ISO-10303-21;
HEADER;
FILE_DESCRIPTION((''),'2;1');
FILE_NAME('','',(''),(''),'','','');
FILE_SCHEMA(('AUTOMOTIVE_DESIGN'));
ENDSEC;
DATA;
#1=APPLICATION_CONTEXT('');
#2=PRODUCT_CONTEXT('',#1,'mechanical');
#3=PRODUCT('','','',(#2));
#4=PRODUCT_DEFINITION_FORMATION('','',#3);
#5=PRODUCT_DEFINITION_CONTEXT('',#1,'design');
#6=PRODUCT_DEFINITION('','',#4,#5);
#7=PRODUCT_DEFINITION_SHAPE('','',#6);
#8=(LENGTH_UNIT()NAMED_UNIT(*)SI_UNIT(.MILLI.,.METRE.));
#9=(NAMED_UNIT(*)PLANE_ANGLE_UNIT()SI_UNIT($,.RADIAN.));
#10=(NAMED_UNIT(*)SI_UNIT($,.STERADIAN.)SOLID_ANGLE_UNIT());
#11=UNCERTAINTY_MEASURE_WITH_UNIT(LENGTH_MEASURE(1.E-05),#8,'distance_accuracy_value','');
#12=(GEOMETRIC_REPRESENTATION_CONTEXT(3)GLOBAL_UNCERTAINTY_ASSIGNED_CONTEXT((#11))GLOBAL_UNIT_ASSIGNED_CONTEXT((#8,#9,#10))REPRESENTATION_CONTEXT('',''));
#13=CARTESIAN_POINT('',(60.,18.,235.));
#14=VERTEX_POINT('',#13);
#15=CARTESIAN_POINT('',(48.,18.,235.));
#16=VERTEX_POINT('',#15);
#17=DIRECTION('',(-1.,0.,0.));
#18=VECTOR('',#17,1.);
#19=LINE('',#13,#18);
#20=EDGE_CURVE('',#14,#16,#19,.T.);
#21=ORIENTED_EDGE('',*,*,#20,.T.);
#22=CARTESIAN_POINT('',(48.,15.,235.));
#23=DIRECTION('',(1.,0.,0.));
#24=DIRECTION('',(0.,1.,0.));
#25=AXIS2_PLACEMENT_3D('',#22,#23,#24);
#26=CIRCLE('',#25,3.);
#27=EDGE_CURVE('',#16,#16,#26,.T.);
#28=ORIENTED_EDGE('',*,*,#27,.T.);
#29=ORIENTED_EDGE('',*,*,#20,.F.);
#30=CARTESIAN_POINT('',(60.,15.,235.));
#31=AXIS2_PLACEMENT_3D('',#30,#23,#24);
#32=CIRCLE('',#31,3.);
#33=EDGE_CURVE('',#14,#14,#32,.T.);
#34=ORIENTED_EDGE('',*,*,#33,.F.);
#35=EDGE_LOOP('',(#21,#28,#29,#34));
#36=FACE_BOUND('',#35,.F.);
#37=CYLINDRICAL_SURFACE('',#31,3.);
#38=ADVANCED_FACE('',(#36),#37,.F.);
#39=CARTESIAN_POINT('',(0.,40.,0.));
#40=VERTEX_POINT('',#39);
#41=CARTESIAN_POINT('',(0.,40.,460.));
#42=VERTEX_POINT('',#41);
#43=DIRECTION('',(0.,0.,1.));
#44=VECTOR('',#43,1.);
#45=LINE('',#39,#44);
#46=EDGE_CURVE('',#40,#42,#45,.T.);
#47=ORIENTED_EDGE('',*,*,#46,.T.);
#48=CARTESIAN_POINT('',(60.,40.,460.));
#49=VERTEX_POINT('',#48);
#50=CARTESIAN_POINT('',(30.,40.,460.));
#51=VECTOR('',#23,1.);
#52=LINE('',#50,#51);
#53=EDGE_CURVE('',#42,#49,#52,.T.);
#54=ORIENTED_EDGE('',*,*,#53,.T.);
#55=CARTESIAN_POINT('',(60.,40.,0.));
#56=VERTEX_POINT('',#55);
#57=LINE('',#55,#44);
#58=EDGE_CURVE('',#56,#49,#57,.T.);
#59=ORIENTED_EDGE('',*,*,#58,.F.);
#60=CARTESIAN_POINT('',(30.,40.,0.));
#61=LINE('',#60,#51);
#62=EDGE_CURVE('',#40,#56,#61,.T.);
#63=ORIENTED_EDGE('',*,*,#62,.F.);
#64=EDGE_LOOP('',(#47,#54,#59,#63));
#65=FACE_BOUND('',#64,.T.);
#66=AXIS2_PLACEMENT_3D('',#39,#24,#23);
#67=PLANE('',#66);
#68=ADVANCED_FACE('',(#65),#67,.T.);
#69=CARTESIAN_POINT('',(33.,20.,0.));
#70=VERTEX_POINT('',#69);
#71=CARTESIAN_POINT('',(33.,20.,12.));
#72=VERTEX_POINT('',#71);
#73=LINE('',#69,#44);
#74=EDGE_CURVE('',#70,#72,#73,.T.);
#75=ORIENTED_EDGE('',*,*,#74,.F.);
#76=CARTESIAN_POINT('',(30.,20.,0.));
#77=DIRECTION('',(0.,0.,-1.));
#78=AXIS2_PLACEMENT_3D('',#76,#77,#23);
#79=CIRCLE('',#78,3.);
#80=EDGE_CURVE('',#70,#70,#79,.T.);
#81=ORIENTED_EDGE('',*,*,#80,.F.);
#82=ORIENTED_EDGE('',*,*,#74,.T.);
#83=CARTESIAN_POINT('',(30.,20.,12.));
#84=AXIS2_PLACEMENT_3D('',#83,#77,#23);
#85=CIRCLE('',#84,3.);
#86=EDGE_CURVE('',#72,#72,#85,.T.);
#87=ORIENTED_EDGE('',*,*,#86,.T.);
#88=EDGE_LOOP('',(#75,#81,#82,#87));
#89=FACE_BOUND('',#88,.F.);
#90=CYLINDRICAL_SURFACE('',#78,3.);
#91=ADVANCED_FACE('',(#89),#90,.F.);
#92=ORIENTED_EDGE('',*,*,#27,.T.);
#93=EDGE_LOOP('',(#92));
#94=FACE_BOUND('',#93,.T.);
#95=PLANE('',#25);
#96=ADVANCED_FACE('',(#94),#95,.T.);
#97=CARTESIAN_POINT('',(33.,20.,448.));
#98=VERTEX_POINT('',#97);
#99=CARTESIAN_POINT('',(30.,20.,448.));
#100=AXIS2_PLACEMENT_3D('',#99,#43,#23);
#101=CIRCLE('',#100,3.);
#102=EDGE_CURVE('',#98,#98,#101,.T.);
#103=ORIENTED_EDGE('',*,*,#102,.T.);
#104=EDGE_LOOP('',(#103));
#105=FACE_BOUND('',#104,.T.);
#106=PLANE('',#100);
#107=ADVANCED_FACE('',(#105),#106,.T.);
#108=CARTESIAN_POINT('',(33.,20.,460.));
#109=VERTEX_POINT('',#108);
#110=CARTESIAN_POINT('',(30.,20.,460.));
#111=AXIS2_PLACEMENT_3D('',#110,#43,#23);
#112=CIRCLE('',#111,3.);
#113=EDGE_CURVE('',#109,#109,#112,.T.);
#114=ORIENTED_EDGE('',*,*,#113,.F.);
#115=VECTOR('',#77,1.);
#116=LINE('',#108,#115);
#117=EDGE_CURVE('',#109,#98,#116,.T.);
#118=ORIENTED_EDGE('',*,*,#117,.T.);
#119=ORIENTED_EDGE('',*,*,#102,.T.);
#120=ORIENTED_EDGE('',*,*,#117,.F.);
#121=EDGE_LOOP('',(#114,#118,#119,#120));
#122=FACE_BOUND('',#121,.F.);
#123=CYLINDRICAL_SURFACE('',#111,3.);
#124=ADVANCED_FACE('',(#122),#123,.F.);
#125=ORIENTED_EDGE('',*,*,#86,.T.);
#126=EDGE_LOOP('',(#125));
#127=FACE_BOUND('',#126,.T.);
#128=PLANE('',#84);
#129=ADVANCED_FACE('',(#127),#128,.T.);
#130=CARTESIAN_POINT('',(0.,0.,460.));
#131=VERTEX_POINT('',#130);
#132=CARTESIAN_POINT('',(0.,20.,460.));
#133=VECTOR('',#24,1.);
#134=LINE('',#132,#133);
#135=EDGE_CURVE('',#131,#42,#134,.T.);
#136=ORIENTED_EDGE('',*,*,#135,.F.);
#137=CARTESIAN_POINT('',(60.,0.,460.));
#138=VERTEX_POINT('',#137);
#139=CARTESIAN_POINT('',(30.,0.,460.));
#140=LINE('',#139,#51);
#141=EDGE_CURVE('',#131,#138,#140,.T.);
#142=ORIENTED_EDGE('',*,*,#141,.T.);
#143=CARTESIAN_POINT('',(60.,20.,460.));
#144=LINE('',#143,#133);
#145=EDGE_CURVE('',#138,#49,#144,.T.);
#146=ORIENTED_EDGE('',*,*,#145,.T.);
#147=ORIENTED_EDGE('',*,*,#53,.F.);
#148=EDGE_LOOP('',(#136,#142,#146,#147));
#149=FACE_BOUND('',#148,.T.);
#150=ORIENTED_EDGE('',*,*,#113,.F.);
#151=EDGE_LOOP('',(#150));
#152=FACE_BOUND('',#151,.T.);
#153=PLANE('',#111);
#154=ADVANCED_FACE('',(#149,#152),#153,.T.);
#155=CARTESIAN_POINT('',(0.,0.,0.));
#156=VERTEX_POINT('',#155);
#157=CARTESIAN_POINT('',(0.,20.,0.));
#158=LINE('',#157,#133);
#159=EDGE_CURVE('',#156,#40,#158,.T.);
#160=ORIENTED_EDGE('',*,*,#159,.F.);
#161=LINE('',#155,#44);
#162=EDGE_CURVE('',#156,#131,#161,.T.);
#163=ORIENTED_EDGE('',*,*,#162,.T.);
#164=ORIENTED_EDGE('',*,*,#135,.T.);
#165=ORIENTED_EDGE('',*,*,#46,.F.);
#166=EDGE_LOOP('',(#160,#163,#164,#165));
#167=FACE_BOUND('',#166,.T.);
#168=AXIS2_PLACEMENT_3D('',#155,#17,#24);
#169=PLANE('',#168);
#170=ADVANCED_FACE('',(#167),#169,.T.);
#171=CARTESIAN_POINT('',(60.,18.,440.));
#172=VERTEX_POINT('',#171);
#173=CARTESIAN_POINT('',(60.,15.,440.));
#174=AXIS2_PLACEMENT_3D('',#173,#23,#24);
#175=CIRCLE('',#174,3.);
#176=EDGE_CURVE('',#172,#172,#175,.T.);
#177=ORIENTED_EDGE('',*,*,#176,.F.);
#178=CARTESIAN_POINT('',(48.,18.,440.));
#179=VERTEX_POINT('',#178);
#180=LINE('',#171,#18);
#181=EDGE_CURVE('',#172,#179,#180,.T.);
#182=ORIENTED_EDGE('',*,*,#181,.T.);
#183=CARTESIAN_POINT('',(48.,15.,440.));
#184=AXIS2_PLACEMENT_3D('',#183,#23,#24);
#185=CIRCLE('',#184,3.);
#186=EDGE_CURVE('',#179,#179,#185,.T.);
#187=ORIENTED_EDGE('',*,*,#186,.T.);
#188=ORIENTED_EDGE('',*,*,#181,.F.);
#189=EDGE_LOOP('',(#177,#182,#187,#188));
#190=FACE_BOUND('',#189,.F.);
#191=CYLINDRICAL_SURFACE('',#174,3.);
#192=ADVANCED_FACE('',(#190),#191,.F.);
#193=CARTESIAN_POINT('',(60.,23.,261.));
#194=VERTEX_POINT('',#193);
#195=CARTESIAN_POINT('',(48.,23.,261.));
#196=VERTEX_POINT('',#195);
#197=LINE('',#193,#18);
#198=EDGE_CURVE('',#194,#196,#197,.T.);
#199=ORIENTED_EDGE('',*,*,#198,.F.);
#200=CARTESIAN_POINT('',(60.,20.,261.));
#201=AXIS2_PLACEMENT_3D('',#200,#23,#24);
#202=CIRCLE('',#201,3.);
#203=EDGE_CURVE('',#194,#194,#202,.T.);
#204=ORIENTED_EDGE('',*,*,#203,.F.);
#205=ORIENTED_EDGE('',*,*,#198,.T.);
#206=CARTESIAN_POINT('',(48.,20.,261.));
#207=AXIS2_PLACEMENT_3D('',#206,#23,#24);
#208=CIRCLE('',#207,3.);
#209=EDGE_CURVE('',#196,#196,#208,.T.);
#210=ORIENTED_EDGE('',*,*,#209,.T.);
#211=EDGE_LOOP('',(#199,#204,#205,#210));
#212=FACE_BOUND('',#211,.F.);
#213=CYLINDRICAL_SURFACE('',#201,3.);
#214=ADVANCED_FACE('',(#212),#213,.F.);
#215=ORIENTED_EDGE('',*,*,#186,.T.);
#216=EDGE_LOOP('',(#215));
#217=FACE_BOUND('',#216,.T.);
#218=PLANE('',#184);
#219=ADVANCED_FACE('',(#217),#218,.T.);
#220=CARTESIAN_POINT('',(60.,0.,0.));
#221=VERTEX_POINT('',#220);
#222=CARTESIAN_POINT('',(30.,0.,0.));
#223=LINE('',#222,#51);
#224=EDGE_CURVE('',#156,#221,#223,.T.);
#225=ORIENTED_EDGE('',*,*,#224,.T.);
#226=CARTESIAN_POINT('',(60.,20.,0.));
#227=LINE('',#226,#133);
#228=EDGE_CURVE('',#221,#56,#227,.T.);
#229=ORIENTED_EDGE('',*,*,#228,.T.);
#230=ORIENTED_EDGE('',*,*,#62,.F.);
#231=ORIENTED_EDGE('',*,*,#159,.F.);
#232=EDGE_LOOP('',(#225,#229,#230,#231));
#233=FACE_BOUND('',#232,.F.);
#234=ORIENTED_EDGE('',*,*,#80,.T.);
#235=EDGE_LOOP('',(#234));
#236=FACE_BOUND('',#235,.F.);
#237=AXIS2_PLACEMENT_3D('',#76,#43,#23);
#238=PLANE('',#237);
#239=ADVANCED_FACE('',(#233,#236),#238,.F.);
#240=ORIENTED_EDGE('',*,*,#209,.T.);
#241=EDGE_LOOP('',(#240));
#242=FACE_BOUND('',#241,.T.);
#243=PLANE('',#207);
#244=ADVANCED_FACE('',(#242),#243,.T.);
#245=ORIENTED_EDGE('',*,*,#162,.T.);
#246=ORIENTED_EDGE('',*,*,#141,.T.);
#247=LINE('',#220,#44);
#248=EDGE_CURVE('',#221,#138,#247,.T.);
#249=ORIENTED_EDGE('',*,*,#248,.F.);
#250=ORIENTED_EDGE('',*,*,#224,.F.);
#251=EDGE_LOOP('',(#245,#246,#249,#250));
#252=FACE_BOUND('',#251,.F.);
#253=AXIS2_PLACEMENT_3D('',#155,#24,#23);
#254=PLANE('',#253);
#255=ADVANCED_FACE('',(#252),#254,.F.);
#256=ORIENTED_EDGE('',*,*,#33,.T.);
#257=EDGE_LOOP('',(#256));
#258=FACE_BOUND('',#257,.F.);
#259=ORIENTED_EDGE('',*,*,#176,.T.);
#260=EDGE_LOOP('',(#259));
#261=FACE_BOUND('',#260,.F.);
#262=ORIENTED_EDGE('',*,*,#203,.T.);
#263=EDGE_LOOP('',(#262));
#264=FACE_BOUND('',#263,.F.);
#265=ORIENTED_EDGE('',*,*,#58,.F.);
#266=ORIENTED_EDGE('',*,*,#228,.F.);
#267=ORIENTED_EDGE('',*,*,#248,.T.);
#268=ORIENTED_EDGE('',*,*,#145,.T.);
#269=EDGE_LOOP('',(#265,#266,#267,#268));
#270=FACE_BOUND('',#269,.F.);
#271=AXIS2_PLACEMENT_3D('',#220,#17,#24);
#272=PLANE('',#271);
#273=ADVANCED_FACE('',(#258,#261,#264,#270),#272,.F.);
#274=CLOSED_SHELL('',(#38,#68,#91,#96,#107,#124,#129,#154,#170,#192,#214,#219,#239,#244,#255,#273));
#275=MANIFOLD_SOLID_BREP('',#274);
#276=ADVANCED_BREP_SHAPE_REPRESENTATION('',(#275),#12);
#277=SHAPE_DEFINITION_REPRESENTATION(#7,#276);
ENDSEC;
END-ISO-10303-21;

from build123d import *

# Parameters (mm, degrees)
F0_W      = 60
F0_H      = 40
F1_DEPTH  = 460
F2_R      = 3
F3_DEPTH  = 12
F4_R      = 3
F5_DEPTH  = 12
F6_R      = 3
F7_DEPTH  = 12
F8_R      = 3
F9_DEPTH  = 12
F10_R     = 3
F11_DEPTH = 12


with BuildPart() as f1:
    # F0 (on Top) → F1 (new body)
    with BuildSketch(Plane.XY):
        with Locations((30, 20)):
            Rectangle(F0_W, F0_H)
    extrude(amount=F1_DEPTH)

    # F2 (on face) → F3 (cut)
    with BuildSketch(Plane.XY.offset(460)):
        with Locations((30, 20)):
            Circle(F2_R)
    extrude(amount=-F3_DEPTH, mode=Mode.SUBTRACT)

    # F4 (on face) → F5 (cut)
    with BuildSketch(Plane(origin=(0, 0, 0), x_dir=(1, 0, 0), z_dir=(0, 0, -1))):
        with Locations((30, -20)):
            Circle(F4_R)
    extrude(amount=-F5_DEPTH, mode=Mode.SUBTRACT)

    # F6 (on face) → F7 (cut)
    with BuildSketch(Plane.YZ.offset(60)):
        with Locations((20, 261)):
            Circle(F6_R)
    extrude(amount=-F7_DEPTH, mode=Mode.SUBTRACT)

    # F8 (on face) → F9 (cut)
    with BuildSketch(Plane.YZ.offset(60)):
        with Locations((15, 440)):
            Circle(F8_R)
    extrude(amount=-F9_DEPTH, mode=Mode.SUBTRACT)

    # F10 (on face) → F11 (cut)
    with BuildSketch(Plane.YZ.offset(60)):
        with Locations((15, 235)):
            Circle(F10_R)
    extrude(amount=-F11_DEPTH, mode=Mode.SUBTRACT)


solid = f1.part
